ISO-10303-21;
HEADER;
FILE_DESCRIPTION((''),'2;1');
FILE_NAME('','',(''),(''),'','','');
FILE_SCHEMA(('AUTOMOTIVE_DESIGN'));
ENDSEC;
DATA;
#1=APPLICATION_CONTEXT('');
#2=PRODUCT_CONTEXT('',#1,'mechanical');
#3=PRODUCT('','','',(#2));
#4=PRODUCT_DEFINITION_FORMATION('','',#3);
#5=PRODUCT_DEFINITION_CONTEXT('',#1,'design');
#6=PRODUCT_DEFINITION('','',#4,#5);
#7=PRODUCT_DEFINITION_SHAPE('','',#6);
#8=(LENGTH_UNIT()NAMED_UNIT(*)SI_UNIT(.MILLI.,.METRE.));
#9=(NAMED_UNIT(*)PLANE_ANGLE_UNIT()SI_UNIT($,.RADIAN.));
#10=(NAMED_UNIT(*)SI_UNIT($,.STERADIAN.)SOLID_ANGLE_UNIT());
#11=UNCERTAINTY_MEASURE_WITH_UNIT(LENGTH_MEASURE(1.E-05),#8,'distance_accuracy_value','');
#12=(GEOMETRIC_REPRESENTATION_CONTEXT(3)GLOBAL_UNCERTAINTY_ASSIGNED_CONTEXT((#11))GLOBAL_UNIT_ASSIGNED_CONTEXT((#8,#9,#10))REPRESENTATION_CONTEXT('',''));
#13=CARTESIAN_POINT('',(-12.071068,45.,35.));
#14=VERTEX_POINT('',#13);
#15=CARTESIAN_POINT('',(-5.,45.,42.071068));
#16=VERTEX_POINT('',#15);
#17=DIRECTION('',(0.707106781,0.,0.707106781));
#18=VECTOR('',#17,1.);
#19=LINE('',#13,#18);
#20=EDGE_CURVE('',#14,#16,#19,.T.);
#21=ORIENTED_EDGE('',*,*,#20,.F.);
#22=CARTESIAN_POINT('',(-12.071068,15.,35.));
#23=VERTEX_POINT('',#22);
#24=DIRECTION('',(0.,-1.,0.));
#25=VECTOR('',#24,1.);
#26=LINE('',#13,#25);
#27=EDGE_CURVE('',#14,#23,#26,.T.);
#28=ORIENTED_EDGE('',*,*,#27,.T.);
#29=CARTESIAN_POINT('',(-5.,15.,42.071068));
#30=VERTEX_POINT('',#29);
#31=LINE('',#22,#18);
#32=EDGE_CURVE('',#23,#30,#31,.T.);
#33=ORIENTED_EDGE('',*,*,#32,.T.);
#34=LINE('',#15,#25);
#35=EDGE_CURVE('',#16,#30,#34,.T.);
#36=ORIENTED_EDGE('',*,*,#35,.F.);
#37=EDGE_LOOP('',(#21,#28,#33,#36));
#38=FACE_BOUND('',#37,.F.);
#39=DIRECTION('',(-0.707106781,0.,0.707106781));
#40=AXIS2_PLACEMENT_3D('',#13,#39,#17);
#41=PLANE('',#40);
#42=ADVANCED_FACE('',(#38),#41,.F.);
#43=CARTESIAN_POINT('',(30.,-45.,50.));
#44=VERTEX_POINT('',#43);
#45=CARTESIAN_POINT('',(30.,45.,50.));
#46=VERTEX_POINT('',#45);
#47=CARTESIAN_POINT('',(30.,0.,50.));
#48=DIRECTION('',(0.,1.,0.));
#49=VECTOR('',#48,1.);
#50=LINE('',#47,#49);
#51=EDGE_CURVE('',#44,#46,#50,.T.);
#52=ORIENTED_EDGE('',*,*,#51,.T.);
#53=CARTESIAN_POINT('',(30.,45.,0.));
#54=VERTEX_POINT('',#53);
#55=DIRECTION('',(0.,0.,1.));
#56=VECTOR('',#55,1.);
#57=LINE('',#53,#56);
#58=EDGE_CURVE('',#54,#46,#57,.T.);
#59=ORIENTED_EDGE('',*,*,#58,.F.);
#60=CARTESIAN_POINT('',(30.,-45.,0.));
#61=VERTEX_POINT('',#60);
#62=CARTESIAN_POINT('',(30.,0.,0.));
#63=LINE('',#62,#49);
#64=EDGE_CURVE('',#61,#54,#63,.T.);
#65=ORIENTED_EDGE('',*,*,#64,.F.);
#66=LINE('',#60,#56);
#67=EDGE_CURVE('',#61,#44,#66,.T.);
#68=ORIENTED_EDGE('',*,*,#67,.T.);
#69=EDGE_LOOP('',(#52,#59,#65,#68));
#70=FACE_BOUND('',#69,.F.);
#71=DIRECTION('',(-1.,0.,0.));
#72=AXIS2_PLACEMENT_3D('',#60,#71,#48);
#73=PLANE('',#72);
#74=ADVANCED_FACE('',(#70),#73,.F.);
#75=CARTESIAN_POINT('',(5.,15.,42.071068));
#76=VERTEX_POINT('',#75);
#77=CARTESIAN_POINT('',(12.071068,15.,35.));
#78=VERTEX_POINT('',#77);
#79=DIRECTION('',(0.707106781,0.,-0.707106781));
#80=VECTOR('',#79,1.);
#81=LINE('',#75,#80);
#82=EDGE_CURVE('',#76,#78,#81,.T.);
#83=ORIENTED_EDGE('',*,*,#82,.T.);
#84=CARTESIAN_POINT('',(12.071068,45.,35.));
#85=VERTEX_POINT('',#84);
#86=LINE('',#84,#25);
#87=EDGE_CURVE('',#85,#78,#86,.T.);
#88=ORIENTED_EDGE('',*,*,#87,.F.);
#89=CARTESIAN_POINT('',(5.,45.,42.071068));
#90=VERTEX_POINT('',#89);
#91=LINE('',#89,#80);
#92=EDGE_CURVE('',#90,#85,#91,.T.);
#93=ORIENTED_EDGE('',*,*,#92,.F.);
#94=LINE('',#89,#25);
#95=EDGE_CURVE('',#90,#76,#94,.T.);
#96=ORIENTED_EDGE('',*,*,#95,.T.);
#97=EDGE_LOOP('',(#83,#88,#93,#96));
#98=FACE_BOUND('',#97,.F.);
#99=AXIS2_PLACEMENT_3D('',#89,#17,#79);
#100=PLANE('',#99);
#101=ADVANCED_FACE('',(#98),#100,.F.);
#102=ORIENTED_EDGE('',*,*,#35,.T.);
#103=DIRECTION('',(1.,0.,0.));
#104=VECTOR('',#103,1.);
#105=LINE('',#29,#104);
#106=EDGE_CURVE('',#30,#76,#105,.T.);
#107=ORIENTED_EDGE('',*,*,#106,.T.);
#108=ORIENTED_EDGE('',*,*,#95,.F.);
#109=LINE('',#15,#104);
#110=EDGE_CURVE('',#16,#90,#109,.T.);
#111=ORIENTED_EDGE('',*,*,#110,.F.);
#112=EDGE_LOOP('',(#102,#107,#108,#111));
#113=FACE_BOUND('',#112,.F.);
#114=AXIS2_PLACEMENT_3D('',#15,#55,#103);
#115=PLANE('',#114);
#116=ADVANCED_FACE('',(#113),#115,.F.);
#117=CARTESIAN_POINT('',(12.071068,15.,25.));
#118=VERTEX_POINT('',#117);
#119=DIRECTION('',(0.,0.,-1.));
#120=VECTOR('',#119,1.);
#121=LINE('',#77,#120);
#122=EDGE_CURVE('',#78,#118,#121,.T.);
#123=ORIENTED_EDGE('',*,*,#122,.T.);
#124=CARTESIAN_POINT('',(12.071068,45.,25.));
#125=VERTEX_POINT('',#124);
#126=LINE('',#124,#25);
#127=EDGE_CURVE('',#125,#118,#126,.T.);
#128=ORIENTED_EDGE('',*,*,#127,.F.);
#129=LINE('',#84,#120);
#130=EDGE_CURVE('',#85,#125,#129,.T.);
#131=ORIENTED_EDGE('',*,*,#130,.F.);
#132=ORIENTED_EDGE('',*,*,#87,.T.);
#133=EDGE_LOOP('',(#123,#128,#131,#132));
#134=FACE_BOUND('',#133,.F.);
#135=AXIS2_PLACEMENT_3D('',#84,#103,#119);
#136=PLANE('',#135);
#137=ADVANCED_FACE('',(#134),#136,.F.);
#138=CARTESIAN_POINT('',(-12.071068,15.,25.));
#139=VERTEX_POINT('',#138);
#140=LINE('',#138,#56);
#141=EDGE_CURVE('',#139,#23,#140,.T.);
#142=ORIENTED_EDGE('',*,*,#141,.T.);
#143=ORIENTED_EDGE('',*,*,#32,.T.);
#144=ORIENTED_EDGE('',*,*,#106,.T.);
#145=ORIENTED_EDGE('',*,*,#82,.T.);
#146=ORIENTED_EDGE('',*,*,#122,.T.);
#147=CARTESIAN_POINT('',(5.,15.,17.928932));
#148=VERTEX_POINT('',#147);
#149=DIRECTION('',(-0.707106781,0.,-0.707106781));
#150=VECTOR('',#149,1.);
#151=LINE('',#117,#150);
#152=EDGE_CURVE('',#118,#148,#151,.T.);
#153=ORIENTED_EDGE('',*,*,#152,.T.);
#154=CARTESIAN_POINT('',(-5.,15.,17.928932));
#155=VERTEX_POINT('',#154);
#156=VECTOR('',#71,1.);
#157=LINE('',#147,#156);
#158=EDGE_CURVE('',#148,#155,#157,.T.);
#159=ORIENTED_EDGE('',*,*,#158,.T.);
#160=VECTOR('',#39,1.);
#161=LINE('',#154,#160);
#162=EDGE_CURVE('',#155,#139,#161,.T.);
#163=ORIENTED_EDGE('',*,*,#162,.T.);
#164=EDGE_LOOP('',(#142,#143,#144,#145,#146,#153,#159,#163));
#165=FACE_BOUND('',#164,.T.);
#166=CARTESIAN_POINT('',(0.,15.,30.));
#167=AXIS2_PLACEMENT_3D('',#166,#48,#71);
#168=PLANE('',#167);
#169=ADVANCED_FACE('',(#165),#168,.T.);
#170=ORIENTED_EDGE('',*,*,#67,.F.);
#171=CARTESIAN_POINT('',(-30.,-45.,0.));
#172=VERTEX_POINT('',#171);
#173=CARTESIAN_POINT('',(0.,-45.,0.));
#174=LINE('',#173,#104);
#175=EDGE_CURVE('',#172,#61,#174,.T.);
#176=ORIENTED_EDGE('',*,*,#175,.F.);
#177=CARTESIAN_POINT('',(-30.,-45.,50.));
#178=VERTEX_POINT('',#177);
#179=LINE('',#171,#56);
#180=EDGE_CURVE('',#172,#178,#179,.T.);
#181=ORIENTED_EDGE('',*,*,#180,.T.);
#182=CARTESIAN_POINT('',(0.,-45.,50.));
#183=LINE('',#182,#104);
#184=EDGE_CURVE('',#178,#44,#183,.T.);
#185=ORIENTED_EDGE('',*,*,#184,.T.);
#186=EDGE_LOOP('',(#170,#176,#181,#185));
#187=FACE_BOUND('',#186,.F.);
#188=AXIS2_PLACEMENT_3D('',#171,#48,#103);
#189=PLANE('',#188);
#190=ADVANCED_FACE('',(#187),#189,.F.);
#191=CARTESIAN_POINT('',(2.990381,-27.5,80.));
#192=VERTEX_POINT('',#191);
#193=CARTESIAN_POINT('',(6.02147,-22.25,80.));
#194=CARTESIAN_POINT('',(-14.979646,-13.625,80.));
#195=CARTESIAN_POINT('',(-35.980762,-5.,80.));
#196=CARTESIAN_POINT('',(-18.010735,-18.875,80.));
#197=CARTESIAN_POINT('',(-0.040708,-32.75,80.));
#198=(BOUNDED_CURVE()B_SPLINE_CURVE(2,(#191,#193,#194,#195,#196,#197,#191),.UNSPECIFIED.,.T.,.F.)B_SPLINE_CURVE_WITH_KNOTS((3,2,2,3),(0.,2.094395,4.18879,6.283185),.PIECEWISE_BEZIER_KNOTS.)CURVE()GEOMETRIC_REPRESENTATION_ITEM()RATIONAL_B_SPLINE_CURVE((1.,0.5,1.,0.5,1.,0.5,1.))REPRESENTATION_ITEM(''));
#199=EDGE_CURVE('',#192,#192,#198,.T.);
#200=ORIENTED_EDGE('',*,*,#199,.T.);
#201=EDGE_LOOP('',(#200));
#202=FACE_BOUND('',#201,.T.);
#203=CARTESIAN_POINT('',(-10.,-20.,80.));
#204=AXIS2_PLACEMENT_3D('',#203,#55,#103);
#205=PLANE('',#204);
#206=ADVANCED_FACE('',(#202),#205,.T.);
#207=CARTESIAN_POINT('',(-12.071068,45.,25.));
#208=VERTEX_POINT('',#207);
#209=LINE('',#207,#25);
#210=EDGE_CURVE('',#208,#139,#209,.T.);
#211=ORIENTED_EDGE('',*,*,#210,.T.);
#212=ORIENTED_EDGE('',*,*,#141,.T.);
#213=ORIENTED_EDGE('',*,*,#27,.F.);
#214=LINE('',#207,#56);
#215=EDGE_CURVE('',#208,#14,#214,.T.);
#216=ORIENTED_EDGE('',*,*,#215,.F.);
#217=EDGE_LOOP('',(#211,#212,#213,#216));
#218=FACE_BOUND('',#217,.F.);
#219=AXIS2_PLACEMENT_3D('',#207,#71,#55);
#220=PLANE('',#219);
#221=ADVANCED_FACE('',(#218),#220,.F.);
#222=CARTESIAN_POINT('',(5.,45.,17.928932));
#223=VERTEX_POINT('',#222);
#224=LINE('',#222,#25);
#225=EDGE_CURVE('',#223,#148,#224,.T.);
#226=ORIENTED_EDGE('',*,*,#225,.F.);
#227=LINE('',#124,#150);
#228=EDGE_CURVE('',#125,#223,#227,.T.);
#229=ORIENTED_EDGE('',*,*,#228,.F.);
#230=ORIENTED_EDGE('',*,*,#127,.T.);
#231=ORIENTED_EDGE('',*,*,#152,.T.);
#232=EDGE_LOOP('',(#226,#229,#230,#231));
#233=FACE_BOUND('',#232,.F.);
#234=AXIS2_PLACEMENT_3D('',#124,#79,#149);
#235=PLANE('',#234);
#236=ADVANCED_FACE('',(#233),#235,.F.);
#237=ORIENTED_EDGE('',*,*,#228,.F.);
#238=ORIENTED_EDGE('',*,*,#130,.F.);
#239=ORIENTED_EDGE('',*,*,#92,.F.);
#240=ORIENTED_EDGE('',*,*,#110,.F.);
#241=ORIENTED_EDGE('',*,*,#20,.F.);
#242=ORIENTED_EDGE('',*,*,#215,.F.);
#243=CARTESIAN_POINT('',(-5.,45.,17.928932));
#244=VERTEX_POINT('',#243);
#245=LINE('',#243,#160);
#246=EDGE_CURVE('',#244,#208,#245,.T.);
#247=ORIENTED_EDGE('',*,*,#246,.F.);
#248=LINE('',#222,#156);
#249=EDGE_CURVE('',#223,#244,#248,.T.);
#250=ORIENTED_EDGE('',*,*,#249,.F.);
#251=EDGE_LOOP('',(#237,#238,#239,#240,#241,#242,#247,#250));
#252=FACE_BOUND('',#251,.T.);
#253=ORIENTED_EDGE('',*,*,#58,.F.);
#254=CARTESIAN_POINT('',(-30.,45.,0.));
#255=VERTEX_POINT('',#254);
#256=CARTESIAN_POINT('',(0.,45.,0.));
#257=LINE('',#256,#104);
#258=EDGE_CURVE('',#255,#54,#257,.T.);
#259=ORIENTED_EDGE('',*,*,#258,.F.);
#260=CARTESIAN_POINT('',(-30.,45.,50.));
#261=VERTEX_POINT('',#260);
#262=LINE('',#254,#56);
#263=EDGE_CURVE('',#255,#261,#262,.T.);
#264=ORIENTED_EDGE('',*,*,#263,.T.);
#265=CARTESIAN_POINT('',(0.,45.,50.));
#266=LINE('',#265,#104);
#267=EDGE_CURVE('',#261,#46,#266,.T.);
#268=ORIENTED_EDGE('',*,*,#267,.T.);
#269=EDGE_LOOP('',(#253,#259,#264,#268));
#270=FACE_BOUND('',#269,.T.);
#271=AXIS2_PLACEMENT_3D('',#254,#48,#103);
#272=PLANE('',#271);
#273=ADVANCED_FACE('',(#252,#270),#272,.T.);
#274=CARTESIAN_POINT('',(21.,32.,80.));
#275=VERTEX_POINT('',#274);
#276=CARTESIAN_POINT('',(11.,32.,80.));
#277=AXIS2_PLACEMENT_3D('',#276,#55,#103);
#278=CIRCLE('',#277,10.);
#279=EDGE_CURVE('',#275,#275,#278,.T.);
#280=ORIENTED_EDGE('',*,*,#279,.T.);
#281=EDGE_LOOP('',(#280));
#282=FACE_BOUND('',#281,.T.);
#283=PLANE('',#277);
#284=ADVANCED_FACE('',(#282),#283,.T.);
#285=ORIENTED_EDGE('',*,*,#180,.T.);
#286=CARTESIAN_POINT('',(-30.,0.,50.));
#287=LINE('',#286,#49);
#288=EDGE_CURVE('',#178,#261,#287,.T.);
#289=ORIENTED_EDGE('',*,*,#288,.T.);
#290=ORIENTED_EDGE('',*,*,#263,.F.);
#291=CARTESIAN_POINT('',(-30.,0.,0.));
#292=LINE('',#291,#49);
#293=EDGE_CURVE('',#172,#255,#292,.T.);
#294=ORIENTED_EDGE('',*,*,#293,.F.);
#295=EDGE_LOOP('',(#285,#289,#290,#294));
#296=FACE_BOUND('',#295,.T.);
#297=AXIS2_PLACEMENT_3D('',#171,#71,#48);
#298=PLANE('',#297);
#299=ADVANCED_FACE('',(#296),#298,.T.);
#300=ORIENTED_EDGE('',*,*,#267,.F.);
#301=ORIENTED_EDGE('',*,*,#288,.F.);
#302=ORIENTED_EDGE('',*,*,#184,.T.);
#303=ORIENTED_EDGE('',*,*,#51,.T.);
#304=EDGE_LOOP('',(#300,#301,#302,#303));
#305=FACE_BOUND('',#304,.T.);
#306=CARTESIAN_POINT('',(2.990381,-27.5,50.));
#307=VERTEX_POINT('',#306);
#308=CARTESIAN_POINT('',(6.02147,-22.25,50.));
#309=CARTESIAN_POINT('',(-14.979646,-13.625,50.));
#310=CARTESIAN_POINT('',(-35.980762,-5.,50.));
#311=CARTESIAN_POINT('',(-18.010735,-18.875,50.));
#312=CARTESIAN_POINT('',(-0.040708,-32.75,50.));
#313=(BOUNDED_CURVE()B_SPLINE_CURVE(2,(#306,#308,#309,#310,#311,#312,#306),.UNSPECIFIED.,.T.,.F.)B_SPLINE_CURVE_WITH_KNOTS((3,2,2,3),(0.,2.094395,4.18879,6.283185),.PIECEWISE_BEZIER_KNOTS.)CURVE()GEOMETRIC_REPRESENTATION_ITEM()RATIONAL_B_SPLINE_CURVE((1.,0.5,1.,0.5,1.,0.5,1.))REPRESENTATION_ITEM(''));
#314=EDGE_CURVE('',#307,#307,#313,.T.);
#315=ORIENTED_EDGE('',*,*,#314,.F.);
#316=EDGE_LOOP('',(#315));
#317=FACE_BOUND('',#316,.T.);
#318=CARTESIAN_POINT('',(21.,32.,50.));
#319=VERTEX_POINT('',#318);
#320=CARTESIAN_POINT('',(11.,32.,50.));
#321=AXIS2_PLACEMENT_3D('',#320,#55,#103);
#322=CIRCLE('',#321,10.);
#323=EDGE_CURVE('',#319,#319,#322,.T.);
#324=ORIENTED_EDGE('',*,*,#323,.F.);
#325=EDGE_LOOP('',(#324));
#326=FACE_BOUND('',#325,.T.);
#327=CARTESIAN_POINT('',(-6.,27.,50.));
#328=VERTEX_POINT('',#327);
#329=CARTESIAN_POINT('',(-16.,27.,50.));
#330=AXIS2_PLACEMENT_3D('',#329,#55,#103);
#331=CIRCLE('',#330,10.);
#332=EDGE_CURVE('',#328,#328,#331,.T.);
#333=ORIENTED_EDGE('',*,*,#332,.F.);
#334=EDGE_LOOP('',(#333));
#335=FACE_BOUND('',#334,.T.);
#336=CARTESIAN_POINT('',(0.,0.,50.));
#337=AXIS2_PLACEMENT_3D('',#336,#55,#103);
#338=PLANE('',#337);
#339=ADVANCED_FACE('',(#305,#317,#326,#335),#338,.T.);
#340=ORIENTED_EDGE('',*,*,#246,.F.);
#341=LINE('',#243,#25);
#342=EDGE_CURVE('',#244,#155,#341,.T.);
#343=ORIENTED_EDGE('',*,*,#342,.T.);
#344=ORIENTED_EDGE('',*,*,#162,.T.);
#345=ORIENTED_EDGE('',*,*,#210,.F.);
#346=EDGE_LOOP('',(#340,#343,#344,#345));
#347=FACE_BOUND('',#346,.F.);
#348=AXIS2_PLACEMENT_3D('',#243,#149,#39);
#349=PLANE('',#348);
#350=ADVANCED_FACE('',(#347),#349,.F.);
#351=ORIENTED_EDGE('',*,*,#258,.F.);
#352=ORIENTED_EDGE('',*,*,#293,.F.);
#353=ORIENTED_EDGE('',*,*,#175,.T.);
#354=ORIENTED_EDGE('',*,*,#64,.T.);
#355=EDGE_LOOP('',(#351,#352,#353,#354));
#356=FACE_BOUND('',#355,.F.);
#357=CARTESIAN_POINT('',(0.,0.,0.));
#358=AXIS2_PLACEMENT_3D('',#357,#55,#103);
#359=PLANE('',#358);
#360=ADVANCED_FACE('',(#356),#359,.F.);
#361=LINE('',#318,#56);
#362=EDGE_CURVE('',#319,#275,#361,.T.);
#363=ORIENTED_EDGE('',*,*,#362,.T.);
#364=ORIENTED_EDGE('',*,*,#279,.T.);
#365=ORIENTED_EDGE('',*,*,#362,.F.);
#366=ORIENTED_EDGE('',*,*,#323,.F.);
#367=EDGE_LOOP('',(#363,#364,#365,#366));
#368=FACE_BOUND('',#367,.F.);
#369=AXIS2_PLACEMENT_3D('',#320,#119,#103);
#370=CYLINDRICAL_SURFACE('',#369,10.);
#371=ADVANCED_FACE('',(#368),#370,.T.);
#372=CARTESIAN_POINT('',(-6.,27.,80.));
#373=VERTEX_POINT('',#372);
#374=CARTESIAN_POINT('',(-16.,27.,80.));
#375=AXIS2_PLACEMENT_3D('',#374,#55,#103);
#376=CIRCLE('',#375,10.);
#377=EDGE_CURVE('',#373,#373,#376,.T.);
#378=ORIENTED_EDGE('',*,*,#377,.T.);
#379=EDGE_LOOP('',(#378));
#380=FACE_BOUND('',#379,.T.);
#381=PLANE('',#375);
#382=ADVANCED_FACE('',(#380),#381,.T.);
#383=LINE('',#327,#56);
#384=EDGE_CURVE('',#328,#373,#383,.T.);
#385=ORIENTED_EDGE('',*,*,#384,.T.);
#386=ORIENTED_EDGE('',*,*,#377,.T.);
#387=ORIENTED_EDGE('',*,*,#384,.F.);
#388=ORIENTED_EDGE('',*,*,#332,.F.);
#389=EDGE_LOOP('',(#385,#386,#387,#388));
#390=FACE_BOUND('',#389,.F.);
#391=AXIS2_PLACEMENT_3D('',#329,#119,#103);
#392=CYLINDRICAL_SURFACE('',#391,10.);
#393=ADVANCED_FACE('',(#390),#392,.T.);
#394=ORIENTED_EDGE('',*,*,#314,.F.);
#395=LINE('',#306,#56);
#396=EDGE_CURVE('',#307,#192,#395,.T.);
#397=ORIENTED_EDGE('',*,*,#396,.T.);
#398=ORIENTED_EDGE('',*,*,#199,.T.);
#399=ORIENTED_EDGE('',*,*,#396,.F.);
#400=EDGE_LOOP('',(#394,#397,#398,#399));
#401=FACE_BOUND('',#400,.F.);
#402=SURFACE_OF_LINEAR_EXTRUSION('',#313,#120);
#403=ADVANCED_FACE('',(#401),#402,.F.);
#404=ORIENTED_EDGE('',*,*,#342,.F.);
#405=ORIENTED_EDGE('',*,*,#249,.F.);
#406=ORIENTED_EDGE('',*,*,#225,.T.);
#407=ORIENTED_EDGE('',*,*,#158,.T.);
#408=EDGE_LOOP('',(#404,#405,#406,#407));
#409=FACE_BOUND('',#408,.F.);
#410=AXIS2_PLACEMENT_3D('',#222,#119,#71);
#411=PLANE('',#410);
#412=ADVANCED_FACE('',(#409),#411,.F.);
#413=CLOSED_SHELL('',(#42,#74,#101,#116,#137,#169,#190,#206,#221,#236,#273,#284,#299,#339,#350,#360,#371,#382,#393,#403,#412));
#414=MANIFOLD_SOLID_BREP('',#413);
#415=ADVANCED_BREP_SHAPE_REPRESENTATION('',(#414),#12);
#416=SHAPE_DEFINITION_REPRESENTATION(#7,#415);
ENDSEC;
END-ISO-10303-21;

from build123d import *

# Parameters (mm, degrees)
F0_W     = 60
F0_H     = 90
F1_DEPTH = 50
F2_R     = 10
F3_DEPTH = 30
F5_DEPTH = 30


with BuildPart() as f1:
    # F0 (on Top) → F1 (new body)
    with BuildSketch(Plane.XY):
        Rectangle(F0_W, F0_H)
    extrude(amount=F1_DEPTH)

    # F2 (on face) → F3 (join)
    with BuildSketch(Plane.XY.offset(50)):
        with Locations((11, 32)):
            Circle(F2_R)
        with Locations((-16, 27)):
            Circle(F2_R)
        with BuildLine():
            add(Edge.make_bspline(
                [(2.990381, -27.5), (6.02147, -22.25), (-14.979646, -13.625), (-35.980762, -5), (-18.010735, -18.875), (-0.040708, -32.75), (2.990381, -27.5)],
                knots=[0, 0, 0, 2.094395, 2.094395, 4.18879, 4.18879, 6.283185, 6.283185, 6.283185], degree=2, weights=[1, 0.5, 1, 0.5, 1, 0.5, 1]))
        make_face()
    extrude(amount=F3_DEPTH)

    # F4 (on face) → F5 (cut)
    with BuildSketch(Plane(origin=(0, 45, 0), x_dir=(-1, 0, 0), z_dir=(0, 1, 0))):
        Polygon((5, 17.928932), (12.071068, 25), (12.071068, 35), (5, 42.071068), (-5, 42.071068), (-12.071068, 35), (-12.071068, 25), (-5, 17.928932), align=None)
    extrude(amount=-F5_DEPTH, mode=Mode.SUBTRACT)


solid = f1.part
